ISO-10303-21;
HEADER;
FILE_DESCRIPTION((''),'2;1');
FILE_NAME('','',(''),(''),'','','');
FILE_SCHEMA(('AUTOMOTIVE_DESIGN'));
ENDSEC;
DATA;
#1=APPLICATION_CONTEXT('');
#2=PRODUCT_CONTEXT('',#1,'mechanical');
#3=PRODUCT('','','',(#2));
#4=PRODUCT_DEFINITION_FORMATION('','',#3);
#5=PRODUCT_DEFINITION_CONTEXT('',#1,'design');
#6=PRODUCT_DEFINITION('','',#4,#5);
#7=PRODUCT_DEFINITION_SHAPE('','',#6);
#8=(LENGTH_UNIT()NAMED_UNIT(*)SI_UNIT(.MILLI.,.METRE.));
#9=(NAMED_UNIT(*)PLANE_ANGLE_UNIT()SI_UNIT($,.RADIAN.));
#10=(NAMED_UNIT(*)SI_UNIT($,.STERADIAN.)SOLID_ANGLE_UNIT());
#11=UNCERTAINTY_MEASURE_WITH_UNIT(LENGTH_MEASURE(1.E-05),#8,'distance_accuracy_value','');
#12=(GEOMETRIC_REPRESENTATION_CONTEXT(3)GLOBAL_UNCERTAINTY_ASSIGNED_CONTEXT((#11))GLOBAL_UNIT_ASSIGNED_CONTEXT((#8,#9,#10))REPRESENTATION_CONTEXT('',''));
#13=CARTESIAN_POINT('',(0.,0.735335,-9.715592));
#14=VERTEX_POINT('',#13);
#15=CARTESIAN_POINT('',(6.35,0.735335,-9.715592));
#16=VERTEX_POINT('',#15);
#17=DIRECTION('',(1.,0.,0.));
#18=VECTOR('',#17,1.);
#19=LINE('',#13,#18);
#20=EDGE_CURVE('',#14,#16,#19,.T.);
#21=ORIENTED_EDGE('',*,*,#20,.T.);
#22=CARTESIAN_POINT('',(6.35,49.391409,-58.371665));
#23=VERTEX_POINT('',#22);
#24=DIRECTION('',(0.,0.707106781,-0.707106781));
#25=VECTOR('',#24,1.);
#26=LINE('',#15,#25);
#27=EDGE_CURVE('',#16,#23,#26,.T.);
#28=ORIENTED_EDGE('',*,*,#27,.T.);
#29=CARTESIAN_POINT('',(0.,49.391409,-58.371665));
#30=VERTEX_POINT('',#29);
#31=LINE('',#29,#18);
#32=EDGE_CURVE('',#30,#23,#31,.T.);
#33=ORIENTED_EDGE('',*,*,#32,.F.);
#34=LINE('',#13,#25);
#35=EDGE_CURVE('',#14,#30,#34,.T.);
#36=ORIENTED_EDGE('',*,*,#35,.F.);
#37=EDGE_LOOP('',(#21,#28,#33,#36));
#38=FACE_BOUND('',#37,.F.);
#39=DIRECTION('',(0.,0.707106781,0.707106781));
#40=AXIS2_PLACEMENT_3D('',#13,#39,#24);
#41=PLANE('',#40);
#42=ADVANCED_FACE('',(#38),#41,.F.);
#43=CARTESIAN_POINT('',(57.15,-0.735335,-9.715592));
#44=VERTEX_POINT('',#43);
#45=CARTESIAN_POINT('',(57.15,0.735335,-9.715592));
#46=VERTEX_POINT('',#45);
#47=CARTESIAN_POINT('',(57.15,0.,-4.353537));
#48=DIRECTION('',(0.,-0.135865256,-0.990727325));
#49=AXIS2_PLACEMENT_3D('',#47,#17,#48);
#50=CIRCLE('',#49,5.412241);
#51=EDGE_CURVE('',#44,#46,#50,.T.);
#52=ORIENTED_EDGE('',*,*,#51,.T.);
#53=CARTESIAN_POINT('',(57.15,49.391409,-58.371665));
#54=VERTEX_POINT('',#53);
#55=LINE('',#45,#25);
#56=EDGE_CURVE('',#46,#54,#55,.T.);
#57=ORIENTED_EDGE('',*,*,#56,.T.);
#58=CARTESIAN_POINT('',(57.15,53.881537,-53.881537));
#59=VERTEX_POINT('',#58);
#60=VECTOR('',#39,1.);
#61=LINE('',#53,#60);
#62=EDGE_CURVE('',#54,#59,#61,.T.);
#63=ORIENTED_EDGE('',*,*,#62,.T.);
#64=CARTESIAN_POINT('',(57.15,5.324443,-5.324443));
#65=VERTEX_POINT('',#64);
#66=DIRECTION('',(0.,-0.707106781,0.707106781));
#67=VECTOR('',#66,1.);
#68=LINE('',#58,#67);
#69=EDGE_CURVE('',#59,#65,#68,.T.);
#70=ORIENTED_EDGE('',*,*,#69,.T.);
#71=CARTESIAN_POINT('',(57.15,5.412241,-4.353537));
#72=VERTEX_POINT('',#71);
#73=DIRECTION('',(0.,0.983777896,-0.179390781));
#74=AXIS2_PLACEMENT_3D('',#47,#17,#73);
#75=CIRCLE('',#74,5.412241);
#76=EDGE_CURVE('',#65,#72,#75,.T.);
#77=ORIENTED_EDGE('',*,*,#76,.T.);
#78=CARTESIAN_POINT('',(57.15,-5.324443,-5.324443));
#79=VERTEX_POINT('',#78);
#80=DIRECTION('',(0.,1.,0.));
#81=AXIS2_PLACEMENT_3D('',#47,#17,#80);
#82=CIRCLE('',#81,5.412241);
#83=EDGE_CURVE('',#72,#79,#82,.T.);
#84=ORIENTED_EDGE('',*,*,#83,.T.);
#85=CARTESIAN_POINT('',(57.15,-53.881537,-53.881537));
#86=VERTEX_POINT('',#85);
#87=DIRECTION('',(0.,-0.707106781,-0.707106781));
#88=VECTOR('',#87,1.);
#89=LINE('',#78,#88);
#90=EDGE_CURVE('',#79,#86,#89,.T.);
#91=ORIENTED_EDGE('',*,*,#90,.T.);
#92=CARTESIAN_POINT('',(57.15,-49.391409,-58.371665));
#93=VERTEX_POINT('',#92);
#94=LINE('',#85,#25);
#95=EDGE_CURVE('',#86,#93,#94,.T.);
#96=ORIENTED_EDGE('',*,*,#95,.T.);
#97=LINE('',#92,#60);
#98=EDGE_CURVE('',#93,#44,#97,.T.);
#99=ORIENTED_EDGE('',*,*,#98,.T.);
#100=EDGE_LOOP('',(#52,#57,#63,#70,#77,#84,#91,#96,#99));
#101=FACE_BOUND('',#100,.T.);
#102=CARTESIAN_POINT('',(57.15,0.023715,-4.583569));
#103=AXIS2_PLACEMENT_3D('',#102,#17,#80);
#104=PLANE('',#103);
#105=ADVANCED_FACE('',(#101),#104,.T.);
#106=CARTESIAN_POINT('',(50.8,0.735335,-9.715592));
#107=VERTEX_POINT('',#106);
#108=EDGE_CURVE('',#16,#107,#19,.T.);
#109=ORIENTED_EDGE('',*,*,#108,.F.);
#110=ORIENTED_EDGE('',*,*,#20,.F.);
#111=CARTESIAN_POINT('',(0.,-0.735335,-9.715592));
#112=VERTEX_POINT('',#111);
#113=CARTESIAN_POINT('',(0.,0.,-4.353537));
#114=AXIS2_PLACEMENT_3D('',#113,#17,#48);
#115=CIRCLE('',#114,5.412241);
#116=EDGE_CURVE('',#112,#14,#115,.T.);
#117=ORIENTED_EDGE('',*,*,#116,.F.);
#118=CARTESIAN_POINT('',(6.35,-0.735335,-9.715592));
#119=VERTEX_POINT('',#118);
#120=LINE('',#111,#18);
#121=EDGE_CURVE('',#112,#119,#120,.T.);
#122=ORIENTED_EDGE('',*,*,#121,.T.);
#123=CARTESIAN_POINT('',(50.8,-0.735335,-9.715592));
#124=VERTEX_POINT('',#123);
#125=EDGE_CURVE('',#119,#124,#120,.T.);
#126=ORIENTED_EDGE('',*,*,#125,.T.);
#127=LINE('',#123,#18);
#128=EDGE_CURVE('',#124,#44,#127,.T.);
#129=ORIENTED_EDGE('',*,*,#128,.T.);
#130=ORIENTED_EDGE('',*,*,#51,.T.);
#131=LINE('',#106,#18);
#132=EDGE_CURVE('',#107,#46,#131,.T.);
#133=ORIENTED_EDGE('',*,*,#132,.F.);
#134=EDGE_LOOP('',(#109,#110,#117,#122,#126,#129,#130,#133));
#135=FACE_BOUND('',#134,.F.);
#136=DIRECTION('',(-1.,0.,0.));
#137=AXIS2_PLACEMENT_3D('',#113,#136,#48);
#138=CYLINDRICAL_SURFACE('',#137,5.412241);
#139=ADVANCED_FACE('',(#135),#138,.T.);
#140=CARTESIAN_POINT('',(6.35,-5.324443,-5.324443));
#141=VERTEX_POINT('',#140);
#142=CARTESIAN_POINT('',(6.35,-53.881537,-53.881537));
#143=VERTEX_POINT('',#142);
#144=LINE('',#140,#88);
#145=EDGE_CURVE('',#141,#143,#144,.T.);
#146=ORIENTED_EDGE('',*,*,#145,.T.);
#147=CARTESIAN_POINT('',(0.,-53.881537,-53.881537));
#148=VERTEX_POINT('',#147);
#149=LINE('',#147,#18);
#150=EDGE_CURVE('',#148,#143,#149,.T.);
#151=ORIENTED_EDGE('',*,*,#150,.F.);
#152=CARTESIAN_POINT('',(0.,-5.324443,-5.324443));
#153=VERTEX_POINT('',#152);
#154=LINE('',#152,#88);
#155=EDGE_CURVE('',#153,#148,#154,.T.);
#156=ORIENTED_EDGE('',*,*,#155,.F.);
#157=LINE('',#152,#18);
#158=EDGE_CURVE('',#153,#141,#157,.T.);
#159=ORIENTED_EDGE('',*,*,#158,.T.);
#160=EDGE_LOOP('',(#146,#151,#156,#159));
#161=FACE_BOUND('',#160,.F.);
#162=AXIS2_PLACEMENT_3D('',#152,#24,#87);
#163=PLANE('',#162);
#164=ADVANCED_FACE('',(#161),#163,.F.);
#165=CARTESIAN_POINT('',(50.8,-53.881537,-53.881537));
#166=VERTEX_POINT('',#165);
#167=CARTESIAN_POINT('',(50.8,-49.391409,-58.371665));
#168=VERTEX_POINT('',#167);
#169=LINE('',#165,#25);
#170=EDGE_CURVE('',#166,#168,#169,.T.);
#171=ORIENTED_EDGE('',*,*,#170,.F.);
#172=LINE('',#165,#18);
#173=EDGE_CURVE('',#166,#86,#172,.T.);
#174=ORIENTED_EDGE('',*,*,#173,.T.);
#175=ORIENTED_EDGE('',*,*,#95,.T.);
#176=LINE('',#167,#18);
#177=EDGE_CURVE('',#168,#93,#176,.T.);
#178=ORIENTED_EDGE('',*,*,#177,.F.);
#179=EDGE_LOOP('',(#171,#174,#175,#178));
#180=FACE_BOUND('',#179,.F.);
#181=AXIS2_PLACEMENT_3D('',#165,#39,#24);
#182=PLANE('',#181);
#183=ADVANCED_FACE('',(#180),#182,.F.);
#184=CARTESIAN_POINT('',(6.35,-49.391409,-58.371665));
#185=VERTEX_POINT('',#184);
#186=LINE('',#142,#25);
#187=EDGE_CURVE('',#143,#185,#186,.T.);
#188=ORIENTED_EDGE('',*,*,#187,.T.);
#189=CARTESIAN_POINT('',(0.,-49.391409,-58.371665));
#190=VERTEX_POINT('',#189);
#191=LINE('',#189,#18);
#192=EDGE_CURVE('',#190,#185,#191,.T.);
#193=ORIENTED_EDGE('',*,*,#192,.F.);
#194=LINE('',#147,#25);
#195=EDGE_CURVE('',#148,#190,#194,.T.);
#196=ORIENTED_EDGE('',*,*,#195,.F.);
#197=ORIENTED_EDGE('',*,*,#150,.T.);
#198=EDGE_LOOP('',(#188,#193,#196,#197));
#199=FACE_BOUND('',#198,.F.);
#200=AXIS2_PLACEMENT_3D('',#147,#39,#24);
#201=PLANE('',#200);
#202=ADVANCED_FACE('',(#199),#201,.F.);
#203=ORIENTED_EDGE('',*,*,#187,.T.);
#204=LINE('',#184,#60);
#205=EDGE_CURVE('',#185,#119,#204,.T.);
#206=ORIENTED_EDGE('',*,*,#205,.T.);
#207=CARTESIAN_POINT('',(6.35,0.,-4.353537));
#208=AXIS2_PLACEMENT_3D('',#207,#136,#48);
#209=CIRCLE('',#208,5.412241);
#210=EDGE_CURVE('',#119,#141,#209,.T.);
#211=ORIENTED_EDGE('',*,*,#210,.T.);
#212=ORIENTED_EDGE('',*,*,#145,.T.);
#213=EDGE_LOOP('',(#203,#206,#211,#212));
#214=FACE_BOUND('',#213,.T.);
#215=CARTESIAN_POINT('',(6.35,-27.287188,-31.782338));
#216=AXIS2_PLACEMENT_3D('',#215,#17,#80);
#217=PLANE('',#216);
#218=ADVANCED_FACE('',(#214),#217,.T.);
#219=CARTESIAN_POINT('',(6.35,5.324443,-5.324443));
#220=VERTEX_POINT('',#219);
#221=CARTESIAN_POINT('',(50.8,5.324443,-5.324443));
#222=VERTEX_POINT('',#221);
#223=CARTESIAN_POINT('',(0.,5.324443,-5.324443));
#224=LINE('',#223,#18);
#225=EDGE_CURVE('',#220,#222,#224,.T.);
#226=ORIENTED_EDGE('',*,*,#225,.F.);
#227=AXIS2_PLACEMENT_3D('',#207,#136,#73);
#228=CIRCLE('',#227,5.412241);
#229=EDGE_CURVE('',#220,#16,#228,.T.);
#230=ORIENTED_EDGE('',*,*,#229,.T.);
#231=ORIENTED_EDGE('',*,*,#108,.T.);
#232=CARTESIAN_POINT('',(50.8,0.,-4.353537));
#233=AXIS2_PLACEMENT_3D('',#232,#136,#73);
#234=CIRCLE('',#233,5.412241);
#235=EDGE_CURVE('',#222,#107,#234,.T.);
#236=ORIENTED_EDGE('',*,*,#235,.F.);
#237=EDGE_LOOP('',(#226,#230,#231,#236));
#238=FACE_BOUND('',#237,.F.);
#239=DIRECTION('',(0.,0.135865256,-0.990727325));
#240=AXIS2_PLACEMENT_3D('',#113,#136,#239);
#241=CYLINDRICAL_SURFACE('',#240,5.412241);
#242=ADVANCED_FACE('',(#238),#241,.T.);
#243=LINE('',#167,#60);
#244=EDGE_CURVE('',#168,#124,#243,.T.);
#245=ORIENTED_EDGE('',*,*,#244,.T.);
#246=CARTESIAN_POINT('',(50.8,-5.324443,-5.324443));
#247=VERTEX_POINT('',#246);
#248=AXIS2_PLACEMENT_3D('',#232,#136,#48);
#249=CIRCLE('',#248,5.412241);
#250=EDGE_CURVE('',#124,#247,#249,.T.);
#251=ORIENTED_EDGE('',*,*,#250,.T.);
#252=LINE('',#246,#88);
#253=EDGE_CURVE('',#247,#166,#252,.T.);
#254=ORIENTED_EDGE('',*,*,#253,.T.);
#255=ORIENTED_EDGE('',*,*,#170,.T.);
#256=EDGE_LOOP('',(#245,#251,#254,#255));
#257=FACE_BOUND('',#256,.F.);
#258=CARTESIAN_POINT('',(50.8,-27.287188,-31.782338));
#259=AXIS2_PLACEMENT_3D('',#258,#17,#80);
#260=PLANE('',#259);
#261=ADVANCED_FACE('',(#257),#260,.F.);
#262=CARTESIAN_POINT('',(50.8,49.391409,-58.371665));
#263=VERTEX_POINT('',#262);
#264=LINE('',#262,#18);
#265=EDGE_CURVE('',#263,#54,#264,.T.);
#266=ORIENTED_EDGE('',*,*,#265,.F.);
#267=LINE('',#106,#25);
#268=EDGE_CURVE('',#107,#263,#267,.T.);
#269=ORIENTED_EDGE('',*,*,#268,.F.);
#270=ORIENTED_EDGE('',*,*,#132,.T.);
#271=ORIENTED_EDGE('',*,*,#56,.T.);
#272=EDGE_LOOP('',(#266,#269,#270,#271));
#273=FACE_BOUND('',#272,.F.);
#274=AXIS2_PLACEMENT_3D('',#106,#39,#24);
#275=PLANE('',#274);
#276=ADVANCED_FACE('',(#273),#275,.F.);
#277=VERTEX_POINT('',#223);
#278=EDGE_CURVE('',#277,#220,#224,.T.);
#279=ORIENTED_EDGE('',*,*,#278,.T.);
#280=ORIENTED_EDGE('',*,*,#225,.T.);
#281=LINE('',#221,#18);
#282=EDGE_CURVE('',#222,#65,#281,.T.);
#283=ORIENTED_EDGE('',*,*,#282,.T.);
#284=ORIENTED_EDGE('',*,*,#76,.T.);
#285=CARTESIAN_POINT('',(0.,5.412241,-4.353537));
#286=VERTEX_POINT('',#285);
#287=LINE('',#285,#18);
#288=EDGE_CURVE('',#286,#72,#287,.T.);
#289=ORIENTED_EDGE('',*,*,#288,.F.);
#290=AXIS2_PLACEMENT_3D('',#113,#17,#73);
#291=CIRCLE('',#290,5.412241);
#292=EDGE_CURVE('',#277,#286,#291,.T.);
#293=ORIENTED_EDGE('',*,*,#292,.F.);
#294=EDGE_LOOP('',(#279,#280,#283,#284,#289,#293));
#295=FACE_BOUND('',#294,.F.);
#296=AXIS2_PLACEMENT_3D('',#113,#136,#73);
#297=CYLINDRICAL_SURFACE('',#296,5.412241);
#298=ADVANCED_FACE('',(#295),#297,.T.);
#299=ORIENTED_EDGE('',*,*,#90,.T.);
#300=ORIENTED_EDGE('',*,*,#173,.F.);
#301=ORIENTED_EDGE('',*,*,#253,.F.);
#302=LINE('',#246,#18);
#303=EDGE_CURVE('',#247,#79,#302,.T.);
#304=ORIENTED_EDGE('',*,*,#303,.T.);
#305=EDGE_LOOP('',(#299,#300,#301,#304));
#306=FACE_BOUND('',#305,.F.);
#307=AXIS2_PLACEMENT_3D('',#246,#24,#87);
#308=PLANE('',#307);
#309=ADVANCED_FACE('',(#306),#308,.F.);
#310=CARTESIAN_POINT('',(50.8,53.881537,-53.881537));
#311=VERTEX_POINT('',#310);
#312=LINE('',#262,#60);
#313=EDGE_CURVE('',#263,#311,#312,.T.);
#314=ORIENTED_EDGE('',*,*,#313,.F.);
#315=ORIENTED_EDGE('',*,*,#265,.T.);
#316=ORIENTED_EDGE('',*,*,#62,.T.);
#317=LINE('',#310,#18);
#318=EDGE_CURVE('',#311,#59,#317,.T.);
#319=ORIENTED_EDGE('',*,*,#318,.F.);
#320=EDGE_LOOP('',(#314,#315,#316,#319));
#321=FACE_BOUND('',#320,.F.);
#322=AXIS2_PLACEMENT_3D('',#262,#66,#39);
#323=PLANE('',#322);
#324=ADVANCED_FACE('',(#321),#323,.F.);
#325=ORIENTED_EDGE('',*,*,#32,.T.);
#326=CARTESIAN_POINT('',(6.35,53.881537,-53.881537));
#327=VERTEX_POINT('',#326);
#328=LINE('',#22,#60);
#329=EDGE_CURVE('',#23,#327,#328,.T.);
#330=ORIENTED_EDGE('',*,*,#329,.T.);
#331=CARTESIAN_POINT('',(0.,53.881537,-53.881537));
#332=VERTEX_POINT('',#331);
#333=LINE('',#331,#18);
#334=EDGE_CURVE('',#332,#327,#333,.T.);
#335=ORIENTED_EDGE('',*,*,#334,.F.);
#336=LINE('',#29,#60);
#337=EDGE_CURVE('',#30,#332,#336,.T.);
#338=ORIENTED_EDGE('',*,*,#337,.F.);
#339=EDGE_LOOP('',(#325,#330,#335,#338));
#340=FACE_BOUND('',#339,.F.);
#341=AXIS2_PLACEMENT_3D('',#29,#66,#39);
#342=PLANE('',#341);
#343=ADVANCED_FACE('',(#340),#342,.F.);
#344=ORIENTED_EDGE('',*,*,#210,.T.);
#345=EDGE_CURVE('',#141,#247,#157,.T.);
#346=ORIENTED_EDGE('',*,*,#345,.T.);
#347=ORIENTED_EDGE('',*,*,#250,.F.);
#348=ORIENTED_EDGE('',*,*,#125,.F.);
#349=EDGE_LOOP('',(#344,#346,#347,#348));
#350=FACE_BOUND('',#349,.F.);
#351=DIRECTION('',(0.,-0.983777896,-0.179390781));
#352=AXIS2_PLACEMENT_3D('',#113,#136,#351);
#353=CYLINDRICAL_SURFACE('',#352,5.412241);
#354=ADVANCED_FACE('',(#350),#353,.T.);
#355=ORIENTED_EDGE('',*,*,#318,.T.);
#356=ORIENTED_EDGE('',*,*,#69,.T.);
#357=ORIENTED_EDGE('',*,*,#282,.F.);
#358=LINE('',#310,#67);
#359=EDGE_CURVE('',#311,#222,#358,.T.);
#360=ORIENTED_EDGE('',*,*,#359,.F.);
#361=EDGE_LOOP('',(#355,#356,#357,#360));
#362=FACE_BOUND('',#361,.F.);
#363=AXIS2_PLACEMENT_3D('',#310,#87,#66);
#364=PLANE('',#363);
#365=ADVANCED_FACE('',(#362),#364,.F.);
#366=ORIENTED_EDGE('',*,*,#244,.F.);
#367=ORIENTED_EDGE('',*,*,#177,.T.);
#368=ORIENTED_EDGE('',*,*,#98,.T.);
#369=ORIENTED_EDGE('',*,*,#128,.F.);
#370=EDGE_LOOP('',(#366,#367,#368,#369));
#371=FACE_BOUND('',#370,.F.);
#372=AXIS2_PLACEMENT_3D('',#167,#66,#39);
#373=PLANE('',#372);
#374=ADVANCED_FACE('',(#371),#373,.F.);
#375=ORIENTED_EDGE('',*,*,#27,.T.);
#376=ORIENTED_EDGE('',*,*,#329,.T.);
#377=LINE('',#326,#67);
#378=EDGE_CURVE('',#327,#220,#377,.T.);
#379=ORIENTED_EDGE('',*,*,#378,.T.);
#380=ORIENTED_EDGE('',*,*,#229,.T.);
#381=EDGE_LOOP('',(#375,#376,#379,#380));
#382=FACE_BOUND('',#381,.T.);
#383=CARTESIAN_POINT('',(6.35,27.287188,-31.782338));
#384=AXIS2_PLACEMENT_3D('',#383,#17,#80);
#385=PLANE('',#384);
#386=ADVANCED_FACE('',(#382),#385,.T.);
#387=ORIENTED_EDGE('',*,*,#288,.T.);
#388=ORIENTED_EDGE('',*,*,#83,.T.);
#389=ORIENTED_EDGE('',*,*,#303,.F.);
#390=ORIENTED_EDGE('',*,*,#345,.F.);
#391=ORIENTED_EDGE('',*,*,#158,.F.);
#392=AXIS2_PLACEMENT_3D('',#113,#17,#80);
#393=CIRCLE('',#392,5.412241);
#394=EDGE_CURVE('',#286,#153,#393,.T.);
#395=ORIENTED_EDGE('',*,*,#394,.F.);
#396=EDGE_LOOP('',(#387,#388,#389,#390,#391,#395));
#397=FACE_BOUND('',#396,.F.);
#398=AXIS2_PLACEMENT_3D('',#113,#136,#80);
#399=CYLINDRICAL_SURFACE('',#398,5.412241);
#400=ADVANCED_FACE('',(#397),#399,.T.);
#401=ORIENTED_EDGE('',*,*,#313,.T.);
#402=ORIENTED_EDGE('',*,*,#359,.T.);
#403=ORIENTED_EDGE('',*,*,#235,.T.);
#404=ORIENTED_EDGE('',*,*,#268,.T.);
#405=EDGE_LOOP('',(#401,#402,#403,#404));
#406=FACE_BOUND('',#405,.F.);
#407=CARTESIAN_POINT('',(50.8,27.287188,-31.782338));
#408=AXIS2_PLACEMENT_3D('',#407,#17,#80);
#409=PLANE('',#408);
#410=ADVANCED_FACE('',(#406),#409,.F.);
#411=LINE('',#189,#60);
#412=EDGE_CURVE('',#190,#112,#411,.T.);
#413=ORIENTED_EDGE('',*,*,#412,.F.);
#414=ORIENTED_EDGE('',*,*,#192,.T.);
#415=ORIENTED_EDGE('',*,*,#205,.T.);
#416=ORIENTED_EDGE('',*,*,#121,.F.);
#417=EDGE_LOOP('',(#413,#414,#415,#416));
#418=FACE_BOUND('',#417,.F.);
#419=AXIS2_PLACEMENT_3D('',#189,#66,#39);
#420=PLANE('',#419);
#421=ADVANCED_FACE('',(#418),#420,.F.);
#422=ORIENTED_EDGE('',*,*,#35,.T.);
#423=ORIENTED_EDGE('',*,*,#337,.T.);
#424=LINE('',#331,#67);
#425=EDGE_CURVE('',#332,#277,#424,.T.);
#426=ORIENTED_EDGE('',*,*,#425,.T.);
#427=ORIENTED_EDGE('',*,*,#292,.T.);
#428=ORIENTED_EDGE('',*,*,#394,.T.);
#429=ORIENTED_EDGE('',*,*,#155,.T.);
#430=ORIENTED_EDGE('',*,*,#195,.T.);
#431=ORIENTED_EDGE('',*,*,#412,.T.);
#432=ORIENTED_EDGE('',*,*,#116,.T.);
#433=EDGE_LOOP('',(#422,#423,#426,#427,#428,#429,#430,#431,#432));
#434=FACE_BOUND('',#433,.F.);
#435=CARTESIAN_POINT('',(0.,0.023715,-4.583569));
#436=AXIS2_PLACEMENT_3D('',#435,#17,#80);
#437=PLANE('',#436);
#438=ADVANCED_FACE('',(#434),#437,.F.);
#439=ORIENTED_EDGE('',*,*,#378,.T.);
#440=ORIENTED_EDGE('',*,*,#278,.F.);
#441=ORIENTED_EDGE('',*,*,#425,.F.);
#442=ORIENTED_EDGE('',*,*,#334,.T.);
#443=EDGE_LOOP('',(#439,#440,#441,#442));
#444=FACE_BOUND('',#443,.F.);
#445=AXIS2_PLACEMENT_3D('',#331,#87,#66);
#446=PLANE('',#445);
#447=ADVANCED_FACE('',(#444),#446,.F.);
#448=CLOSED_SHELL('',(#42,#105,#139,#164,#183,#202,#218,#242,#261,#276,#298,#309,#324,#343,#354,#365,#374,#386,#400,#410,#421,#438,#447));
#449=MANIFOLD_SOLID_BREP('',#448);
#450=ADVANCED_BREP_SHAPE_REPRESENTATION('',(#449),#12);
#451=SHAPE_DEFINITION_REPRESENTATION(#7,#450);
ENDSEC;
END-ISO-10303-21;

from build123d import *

# Parameters (mm, degrees)
F1_DEPTH = 6.35
F2_START = 50.8
F2_DEPTH = 6.35
F3_DEPTH = 57.15


with BuildPart() as f1:
    # F0 (on Right) → F1 (new body)
    with BuildSketch(Plane.YZ):
        with BuildLine():
            Line((-49.3914086659, -58.3716647869), (-0.7353354825, -9.7155916035))
            ThreePointArc((-0.7353354825, -9.7155916035), (-3.7417609774, -8.2639811349), (-5.3244428604, -5.3244428604))
            Line((-5.3244428604, -5.3244428604), (-53.8815367264, -53.8815367264))
            Line((-53.8815367264, -53.8815367264), (-49.3914086659, -58.3716647869))
        make_face()
    extrude(amount=F1_DEPTH)



with BuildPart() as f1b:
    # F0 (on Right) → F1, piece 2 (new body)
    with BuildSketch(Plane.YZ):
        with BuildLine():
            Line((53.8815367264, -53.8815367264), (5.3244428604, -5.3244428604))
            ThreePointArc((5.3244428604, -5.3244428604), (3.7417609774, -8.2639811349), (0.7353354825, -9.7155916035))
            Line((0.7353354825, -9.7155916035), (49.3914086659, -58.3716647869))
            Line((49.3914086659, -58.3716647869), (53.8815367264, -53.8815367264))
        make_face()
    extrude(amount=F1_DEPTH)


with BuildPart() as f2:
    # F0 (on Right) → F2 (new body)
    with BuildSketch(Plane.YZ.offset(F2_START)):
        with BuildLine():
            Line((-49.3914086659, -58.3716647869), (-0.7353354825, -9.7155916035))
            ThreePointArc((-0.7353354825, -9.7155916035), (-3.7417609774, -8.2639811349), (-5.3244428604, -5.3244428604))
            Line((-5.3244428604, -5.3244428604), (-53.8815367264, -53.8815367264))
            Line((-53.8815367264, -53.8815367264), (-49.3914086659, -58.3716647869))
        make_face()
    extrude(amount=F2_DEPTH)


with BuildPart() as f2b:
    # F0 (on Right) → F2, piece 2 (new body)
    with BuildSketch(Plane.YZ.offset(F2_START)):
        with BuildLine():
            Line((53.8815367264, -53.8815367264), (5.3244428604, -5.3244428604))
            ThreePointArc((5.3244428604, -5.3244428604), (3.7417609774, -8.2639811349), (0.7353354825, -9.7155916035))
            Line((0.7353354825, -9.7155916035), (49.3914086659, -58.3716647869))
            Line((49.3914086659, -58.3716647869), (53.8815367264, -53.8815367264))
        make_face()
    extrude(amount=F2_DEPTH)


with BuildPart() as f1_1:
    add(f1.part)

    add(f1b.part)  # F3 merges F1b

    add(f2.part)  # F3 merges F2

    add(f2b.part)  # F3 merges F2b
    # F0 (on Right) → F3 (join)
    with BuildSketch(Plane.YZ):
        with BuildLine():
            ThreePointArc((0.7353354825, -9.7155916035), (3.7417609774, -8.2639811349), (5.3244428604, -5.3244428604))
            ThreePointArc((5.3244428604, -5.3244428604), (5.3902466222, -4.8409706351), (5.4122407959, -4.3535367586))
            ThreePointArc((5.4122407959, -4.3535367586), (-0.4874338766, 1.0367098636), (-5.3244428604, -5.3244428604))
            ThreePointArc((-5.3244428604, -5.3244428604), (-3.7417609774, -8.2639811349), (-0.7353354825, -9.7155916035))
            ThreePointArc((-0.7353354825, -9.7155916035), (0, -9.7657775544), (0.7353354825, -9.7155916035))
        make_face()
    extrude(amount=F3_DEPTH)


solid = f1_1.part
